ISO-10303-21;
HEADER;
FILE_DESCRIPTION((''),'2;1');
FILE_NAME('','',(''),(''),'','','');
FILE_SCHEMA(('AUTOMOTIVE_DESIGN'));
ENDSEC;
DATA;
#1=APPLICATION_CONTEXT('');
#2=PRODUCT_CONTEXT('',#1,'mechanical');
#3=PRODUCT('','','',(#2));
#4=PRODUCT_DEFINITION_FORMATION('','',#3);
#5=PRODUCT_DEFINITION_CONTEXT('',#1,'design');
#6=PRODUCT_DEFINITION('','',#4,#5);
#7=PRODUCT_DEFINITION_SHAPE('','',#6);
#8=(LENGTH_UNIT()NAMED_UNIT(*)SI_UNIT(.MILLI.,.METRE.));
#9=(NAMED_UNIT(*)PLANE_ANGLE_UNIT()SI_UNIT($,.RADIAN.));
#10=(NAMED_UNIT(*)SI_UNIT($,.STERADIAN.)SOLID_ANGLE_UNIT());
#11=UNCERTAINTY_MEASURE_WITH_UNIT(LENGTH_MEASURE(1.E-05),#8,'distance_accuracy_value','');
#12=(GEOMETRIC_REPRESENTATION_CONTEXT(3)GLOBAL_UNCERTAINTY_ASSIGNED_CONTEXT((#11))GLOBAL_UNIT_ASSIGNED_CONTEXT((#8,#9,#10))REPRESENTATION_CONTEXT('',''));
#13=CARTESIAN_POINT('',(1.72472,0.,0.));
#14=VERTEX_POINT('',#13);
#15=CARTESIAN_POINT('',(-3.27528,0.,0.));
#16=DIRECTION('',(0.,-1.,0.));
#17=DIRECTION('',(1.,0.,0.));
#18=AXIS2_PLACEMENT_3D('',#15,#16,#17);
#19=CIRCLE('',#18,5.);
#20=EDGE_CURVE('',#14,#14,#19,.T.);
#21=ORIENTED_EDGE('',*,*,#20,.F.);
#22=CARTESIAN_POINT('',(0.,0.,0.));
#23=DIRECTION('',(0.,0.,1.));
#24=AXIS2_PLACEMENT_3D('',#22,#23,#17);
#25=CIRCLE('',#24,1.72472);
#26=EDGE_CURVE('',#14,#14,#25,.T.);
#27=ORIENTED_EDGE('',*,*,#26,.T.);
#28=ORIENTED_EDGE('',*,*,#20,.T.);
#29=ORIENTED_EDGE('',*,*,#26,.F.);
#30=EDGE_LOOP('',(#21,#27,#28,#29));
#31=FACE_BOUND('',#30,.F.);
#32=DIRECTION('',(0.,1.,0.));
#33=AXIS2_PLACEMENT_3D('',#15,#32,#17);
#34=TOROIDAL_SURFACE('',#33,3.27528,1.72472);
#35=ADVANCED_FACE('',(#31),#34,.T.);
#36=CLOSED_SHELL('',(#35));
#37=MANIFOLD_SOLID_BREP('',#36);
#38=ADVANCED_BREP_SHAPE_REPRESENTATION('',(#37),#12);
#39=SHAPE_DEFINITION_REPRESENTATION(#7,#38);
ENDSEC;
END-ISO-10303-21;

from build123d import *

# Parameters (mm, degrees)
F0_R = 1.72472


with BuildPart() as f1:
    # F0 (on Top) → F1 (revolve)
    with BuildSketch(Plane.XY):
        Circle(F0_R)
    revolve(axis=Axis((-3.27528, -0.359577, 0), (0, -1, 0)))


solid = f1.part
